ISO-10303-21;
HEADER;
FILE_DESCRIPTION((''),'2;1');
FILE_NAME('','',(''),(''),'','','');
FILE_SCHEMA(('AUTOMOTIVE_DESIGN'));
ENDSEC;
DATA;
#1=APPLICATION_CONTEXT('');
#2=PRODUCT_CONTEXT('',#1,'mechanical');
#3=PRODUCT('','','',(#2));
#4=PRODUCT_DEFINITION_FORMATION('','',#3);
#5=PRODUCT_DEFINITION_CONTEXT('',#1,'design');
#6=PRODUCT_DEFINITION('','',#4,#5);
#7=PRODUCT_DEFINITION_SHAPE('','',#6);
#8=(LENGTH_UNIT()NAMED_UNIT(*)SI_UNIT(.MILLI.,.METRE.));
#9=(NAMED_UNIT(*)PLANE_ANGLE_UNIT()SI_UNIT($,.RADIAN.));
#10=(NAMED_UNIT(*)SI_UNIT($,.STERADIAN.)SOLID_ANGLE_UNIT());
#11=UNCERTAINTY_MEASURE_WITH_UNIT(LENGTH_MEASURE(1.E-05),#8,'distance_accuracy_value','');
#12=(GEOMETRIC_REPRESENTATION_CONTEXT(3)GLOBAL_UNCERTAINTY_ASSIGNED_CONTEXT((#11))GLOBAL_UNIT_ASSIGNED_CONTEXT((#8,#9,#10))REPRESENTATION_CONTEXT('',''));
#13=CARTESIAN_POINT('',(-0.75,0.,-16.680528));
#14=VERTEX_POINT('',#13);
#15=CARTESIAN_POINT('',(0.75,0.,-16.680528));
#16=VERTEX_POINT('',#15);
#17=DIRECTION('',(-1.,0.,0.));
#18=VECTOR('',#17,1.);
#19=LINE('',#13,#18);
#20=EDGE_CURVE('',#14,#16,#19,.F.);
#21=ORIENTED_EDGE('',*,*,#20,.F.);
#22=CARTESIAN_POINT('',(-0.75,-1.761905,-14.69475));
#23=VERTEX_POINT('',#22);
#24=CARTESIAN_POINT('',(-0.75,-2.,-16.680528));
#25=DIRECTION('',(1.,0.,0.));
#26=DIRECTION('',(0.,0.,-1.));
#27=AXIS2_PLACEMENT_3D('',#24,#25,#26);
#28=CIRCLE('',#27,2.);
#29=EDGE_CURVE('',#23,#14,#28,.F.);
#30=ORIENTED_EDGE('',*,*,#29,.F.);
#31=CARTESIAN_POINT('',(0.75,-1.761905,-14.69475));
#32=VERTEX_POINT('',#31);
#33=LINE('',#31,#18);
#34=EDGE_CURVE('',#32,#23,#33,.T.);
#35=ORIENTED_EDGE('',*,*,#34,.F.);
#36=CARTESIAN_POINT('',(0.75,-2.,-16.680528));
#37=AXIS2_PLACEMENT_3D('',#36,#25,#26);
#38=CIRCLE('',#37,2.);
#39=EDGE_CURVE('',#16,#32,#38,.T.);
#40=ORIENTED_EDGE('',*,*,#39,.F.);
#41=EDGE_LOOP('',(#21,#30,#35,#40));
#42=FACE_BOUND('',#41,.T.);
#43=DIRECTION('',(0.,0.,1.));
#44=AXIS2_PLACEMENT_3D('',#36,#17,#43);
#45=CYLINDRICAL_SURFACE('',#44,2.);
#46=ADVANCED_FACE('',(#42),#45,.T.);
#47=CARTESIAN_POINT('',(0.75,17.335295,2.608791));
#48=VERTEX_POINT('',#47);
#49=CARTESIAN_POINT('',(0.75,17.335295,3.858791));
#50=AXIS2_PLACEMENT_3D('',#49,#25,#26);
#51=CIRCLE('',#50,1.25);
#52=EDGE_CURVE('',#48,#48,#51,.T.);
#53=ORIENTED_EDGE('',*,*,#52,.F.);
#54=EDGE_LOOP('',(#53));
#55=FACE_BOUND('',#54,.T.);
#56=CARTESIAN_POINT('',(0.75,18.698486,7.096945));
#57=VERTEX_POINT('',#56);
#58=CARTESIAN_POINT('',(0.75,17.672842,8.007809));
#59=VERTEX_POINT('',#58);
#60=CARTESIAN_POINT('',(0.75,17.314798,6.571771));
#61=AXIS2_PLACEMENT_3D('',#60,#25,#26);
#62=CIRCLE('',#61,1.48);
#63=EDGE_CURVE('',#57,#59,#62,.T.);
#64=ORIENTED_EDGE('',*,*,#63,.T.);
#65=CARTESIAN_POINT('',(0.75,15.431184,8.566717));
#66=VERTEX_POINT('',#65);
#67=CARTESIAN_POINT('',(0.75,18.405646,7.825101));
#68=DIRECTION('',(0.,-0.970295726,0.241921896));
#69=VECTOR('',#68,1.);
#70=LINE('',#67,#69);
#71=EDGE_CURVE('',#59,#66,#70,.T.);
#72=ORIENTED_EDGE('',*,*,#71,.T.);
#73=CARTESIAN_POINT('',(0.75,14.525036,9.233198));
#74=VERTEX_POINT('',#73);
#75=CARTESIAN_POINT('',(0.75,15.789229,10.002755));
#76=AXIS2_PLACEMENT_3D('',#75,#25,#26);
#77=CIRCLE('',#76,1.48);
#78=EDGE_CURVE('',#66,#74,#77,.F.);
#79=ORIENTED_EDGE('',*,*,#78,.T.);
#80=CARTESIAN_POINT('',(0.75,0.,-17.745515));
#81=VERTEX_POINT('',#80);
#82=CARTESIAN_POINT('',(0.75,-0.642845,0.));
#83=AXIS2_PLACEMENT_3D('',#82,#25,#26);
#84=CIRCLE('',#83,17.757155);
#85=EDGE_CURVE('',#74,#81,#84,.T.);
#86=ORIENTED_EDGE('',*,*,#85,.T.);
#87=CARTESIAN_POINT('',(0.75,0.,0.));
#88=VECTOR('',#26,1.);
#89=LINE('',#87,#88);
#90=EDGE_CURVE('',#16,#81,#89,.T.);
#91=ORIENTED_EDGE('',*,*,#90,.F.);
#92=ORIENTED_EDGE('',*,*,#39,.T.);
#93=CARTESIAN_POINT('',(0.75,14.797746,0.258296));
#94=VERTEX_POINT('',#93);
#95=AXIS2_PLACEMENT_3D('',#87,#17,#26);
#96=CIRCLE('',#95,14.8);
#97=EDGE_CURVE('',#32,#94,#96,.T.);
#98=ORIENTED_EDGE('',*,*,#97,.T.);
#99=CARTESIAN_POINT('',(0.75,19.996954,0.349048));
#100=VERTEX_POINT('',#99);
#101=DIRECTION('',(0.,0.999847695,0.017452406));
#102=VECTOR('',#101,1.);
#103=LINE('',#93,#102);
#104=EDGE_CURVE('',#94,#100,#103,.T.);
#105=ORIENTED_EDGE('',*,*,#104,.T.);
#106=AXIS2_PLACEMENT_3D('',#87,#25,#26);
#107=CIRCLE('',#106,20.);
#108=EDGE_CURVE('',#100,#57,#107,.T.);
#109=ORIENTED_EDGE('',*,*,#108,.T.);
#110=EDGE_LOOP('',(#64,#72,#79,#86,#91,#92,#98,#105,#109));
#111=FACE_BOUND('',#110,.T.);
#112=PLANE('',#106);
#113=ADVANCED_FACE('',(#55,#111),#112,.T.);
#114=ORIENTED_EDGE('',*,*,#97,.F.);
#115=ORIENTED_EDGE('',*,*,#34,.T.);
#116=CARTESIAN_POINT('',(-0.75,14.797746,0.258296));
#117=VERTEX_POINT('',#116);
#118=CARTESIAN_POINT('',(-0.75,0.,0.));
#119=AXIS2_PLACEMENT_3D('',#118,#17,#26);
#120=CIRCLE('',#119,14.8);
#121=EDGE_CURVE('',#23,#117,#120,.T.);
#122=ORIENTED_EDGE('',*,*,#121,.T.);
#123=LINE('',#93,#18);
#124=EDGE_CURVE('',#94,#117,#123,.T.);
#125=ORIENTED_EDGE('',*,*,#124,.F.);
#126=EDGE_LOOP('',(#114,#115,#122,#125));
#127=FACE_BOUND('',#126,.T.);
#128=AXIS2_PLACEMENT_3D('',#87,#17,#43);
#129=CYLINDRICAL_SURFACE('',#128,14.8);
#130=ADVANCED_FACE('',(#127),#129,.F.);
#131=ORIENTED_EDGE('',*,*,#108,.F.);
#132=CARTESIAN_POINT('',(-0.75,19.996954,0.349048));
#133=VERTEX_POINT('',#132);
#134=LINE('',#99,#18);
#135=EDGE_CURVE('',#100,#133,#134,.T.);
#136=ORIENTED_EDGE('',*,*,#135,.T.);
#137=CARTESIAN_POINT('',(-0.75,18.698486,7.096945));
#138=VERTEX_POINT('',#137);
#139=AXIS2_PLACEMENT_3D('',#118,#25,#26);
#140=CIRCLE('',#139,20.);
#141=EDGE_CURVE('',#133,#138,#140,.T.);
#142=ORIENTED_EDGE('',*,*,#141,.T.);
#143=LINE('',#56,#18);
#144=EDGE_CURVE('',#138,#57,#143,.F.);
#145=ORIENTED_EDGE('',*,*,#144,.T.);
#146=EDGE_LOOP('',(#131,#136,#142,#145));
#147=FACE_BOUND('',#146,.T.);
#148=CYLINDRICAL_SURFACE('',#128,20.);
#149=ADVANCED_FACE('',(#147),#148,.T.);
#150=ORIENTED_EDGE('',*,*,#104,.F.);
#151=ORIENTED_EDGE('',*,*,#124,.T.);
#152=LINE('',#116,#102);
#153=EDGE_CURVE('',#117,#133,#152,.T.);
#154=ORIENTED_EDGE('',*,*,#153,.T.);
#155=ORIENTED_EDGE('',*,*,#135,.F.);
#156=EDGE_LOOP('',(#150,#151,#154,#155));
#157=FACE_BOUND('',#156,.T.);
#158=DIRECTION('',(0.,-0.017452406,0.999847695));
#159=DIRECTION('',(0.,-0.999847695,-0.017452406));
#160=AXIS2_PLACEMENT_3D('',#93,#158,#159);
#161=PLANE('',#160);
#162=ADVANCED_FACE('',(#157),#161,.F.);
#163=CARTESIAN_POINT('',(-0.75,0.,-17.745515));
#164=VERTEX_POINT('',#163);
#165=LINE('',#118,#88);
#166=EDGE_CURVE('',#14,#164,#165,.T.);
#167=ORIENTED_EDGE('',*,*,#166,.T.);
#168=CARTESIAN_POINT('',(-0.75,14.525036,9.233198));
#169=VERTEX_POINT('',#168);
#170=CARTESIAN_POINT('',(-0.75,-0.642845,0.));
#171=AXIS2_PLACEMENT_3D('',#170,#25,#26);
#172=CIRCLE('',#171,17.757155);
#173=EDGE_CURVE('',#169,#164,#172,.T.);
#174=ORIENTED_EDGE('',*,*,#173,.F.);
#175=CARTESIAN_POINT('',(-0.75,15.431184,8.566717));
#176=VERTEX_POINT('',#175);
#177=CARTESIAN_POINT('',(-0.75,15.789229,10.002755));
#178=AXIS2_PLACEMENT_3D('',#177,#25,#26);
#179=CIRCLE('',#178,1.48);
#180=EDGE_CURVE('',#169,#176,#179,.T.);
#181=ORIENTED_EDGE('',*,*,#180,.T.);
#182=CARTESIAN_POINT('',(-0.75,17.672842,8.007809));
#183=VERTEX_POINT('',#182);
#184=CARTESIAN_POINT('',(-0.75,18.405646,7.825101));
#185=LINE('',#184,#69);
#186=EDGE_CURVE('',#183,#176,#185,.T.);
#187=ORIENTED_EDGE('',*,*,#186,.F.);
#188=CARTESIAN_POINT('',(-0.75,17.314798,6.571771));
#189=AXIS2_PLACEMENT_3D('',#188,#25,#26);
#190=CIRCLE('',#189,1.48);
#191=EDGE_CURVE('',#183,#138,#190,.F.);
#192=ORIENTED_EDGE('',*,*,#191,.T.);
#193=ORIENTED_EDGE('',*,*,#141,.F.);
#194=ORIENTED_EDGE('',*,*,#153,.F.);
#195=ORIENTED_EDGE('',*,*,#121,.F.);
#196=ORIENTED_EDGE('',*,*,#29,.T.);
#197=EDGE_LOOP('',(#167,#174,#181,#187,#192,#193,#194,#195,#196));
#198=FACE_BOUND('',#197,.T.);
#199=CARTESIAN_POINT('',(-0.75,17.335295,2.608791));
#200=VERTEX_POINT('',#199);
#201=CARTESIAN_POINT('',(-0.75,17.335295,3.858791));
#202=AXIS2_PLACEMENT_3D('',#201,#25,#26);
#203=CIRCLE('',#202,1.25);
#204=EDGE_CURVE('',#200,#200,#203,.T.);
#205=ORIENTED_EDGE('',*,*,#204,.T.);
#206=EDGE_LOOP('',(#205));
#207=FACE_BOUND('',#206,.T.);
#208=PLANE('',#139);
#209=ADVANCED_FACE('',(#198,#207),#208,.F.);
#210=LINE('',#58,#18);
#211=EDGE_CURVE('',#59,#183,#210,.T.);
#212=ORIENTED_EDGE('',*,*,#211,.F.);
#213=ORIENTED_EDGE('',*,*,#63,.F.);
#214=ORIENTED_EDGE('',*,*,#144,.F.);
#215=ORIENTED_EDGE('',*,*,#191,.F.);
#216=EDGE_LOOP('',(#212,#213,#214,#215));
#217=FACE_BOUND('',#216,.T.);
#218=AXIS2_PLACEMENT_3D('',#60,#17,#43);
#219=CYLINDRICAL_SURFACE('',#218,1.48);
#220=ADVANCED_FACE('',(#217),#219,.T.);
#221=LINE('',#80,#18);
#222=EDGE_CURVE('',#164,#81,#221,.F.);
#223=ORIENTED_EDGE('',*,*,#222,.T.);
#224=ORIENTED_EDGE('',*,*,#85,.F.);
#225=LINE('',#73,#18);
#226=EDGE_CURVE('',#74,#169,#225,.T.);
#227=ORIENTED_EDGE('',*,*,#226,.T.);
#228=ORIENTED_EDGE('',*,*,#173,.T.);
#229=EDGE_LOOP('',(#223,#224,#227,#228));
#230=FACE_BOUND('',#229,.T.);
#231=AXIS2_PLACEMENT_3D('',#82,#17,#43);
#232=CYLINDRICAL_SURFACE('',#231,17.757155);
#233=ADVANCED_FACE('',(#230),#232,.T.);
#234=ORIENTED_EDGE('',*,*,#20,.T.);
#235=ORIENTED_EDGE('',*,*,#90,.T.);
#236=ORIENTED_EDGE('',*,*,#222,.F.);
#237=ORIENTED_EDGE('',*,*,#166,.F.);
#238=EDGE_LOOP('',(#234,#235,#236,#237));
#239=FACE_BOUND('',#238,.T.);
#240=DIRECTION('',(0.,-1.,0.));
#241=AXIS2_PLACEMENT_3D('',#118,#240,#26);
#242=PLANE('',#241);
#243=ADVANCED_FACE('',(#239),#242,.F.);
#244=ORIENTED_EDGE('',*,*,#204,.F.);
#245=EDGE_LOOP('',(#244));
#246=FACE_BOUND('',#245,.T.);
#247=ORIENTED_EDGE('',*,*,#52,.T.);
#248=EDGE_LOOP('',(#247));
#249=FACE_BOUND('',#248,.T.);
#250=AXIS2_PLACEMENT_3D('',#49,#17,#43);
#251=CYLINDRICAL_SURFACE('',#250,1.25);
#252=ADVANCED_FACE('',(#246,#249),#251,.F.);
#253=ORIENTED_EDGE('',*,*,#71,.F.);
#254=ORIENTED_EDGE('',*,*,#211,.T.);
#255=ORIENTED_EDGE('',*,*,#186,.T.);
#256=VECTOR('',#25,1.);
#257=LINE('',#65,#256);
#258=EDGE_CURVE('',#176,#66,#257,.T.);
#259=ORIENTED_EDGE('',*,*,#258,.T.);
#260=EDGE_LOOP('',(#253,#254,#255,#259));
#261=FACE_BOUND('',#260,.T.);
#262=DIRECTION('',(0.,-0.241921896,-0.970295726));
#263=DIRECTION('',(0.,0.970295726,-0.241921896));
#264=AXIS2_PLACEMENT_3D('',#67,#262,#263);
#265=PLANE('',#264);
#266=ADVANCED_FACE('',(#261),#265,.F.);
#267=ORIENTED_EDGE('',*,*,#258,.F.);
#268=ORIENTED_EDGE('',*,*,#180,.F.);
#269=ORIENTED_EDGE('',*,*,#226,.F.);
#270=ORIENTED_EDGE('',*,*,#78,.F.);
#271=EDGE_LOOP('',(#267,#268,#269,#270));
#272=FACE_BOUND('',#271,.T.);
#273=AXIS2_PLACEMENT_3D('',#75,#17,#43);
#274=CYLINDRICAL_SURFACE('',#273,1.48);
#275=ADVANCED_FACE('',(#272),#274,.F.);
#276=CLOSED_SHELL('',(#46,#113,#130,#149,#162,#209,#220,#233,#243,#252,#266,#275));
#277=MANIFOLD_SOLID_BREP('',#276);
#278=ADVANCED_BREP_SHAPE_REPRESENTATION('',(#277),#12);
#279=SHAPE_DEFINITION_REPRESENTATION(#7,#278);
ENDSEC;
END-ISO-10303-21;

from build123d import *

# Parameters (mm, degrees)
SKETCH1_R          = 1.25
EXTRUDE1_DEPTH     = 0.75
FILLET1_R          = 1.48
CUT_EXTRUDE1_DEPTH = 2.5
FILLET2_R          = 2


with BuildPart() as part:
    # Sketch1 → Extrude1 (new body, symmetric)
    with BuildSketch(Plane(origin=(0, 0, 0), x_dir=(0, 0, -1), z_dir=(1, 0, 0))):
        with BuildLine():
            Line((-0.258295615, 14.797745888), (-0.349048129, 19.996953903))
            ThreePointArc((-0.349048129, 19.996953903), (-4.163801356, 19.561767769), (-7.825100504, 18.40564593))
            Line((-7.825100504, 18.40564593), (-8.717280741, 14.827306447))
            ThreePointArc((-8.717280741, 14.827306447), (0, -18.4), (8.717280741, 14.827306447))
            Line((8.717280741, 14.827306447), (7.825100504, 18.40564593))
            ThreePointArc((7.825100504, 18.40564593), (4.163801356, 19.561767769), (0.349048129, 19.996953903))
            Line((0.349048129, 19.996953903), (0.258295615, 14.797745888))
            ThreePointArc((0.258295615, 14.797745888), (0, -14.8), (-0.258295615, 14.797745888))
        make_face()
        with Locations((-3.85879125, 17.335295056)):
            Circle(SKETCH1_R, mode=Mode.SUBTRACT)
        with Locations((3.85879125, 17.335295056)):
            Circle(SKETCH1_R, mode=Mode.SUBTRACT)
    extrude(amount=EXTRUDE1_DEPTH, both=True)

    # Fillet1
    fillet1_edges = [part.edges().sort_by_distance(p)[0] for p in [
        (0, 18.40564593, -7.825100504),
        (0, 14.827306447, -8.717280741),
        (0, 14.827306447, 8.717280741),
        (0, 18.40564593, 7.825100504),
    ]]
    fillet(fillet1_edges, radius=FILLET1_R)

    # Sketch3 → Cut-Extrude1 (cut, through all)
    with BuildSketch(Plane(origin=(0.75, 0, 0), x_dir=(0, 0, -1), z_dir=(1, 0, 0))):
        Polygon((0, 0), (0, 37.659404293), (33.944851403, 0), align=None)
    extrude(amount=-CUT_EXTRUDE1_DEPTH, mode=Mode.SUBTRACT)

    # Fillet2
    fillet2_edges = [part.edges().sort_by_distance(p)[0] for p in [
        (0, 0, -14.8),
    ]]
    fillet(fillet2_edges, radius=FILLET2_R)


solid = part.part
